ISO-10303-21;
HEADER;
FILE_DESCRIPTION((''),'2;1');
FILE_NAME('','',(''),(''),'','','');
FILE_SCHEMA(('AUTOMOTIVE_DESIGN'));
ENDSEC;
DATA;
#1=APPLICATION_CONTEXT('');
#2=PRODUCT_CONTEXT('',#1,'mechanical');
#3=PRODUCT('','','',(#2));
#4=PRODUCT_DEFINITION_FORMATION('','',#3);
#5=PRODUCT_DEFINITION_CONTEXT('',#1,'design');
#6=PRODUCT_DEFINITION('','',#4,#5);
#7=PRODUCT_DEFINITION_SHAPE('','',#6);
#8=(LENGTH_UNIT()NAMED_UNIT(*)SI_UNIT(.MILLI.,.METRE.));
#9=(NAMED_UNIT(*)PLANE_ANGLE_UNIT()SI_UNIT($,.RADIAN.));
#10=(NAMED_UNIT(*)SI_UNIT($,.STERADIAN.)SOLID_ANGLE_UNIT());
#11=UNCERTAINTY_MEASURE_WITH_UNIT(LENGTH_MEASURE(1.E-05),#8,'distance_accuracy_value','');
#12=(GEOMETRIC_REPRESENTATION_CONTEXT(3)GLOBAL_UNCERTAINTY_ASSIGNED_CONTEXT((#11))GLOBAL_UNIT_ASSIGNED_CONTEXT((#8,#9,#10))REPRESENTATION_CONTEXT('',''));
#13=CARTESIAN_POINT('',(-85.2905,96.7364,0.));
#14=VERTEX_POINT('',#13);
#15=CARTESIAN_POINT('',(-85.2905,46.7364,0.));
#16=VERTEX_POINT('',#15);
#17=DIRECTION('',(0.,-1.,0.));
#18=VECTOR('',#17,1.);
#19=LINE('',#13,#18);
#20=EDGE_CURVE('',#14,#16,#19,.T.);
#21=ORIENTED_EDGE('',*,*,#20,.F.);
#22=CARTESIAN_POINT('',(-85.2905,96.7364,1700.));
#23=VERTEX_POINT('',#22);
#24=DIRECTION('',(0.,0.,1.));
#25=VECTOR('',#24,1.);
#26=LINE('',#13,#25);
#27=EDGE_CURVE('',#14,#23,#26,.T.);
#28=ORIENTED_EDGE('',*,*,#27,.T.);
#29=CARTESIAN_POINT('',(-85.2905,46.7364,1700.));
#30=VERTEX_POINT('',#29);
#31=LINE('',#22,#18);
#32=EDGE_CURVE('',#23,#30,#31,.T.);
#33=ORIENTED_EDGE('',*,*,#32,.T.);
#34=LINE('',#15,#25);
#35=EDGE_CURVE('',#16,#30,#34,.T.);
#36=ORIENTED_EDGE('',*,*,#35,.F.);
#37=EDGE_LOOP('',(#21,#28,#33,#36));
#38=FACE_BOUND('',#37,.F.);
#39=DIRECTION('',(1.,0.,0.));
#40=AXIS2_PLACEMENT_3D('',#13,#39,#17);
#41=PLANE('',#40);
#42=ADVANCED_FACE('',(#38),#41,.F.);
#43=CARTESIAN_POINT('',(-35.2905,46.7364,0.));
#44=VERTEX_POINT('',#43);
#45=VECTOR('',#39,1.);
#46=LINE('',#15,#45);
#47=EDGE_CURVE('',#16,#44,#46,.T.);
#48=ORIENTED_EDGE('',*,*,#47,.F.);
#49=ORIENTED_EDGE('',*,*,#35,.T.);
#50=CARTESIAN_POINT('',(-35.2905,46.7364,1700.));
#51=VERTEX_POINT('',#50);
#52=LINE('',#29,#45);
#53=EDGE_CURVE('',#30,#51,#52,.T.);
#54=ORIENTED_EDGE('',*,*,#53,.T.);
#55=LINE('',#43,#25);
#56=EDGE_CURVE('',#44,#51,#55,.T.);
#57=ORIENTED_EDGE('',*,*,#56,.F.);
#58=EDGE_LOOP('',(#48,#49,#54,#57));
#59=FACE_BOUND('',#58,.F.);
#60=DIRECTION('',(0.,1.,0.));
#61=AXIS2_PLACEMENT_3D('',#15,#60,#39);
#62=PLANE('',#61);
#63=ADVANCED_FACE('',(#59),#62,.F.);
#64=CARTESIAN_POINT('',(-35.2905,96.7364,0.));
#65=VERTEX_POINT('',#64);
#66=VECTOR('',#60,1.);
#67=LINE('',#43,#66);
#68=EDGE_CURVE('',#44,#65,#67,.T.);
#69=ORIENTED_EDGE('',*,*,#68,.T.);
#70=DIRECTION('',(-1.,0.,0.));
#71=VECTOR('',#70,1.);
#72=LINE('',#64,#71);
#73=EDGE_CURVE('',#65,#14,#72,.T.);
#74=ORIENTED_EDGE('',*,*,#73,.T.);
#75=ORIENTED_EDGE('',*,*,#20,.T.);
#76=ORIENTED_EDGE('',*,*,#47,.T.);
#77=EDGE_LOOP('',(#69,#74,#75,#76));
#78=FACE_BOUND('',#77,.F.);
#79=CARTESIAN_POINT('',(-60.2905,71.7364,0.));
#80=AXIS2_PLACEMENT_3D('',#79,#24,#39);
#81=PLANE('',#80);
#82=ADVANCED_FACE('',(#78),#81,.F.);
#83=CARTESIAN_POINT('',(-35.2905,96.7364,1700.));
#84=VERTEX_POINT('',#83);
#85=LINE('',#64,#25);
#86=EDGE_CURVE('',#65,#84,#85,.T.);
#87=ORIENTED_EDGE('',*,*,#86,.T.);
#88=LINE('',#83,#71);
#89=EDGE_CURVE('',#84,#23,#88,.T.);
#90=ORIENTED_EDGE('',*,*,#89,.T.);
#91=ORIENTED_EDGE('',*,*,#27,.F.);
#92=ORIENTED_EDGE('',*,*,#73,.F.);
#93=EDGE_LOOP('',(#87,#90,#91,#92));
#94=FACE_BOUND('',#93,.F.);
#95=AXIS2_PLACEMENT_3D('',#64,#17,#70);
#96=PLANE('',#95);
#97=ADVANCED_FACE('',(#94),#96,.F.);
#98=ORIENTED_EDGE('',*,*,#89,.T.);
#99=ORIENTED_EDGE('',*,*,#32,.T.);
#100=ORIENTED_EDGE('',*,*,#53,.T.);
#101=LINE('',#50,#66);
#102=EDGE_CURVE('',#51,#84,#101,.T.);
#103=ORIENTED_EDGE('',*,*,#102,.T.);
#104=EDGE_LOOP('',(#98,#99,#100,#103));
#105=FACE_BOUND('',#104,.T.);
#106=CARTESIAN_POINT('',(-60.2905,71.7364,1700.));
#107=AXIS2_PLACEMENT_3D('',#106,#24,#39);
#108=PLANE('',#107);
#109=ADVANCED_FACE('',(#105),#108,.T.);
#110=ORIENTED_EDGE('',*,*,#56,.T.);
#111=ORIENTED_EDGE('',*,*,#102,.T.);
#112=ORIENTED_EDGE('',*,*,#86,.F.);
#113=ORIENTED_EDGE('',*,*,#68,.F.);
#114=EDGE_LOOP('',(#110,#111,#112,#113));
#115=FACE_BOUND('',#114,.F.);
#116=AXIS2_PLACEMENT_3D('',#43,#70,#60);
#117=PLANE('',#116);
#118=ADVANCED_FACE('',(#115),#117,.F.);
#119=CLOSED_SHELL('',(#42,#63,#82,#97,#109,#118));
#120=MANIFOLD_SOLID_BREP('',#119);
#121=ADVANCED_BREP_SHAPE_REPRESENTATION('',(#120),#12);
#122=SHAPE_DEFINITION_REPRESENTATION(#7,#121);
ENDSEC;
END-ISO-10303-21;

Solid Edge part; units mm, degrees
sketch "Sketch1" plane through (0, 0, 0) normal (0, 0, 1) x (1, 0, 0)
  line L0 (-85.2905, 46.7364) -> (-35.2905, 46.7364)
  line L1 (-35.2905, 46.7364) -> (-35.2905, 96.7364)
  line L2 (-35.2905, 96.7364) -> (-85.2905, 96.7364)
  line L3 (-85.2905, 96.7364) -> (-85.2905, 46.7364)
extrude "Protrusion1" add sketch "Sketch1" along normal blind 1700
